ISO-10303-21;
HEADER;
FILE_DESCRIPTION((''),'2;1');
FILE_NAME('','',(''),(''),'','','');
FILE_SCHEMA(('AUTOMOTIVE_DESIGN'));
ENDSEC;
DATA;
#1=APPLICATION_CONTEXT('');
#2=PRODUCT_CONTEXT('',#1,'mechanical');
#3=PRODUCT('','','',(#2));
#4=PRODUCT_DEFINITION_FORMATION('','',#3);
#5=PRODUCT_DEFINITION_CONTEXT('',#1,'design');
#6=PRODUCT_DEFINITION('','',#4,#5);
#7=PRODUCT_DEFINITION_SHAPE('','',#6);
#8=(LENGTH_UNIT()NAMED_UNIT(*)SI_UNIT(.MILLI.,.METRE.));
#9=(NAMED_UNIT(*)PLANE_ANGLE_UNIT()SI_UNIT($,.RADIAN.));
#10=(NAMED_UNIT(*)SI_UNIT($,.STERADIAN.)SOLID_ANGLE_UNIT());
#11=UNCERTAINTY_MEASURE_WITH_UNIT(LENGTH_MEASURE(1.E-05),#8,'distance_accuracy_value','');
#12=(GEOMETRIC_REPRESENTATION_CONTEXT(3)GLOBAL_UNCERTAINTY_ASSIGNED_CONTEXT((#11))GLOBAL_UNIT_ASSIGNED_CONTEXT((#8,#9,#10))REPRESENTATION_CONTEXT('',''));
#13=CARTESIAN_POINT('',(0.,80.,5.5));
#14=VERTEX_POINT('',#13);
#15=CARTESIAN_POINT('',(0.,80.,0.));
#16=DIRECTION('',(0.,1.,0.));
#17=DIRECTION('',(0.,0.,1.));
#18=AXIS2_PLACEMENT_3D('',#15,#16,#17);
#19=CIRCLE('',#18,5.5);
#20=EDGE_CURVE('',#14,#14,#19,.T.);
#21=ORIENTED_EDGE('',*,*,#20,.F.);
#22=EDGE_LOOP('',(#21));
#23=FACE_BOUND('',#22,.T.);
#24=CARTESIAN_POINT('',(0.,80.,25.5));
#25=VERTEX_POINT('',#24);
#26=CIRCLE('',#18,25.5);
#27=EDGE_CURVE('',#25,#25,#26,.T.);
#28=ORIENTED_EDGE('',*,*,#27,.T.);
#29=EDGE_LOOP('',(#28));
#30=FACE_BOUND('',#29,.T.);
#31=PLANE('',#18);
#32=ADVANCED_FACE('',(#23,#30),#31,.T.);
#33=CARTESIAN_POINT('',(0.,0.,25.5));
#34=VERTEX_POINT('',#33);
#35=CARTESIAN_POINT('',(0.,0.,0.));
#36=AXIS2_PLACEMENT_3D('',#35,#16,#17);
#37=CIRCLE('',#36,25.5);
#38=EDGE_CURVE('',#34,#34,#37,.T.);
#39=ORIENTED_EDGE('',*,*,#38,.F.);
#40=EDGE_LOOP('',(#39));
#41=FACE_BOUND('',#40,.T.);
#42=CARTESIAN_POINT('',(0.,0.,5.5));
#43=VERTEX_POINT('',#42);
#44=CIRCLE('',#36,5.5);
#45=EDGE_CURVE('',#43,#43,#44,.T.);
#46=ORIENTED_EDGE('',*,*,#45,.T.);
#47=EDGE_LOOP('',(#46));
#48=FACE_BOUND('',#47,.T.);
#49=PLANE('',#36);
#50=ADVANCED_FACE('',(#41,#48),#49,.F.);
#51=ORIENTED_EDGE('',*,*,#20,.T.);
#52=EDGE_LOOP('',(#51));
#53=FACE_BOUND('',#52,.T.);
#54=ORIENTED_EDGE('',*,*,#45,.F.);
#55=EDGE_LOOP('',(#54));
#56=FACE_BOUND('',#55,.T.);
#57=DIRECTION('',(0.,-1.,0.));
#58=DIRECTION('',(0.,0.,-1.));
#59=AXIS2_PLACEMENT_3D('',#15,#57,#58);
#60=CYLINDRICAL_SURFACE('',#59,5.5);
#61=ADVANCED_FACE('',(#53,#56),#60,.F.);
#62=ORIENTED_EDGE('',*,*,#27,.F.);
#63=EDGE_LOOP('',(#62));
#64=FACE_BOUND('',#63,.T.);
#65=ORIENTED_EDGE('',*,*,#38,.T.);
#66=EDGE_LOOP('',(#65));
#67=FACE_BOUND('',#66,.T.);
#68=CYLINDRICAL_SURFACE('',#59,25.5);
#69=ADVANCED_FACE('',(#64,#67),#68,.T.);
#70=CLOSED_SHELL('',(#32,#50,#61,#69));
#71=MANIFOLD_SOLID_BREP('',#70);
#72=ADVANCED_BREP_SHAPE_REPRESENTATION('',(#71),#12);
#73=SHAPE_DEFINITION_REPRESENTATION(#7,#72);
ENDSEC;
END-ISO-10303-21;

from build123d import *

# Parameters (mm, degrees)
SKETCH1_R      = 25.5
SKETCH1_R_2    = 5.5
EXTRUDE1_DEPTH = 80


with BuildPart() as part:
    # Sketch1 → Extrude1 (new body)
    with BuildSketch(Plane(origin=(0, 0, 0), x_dir=(1, 0, 0), z_dir=(0, 1, 0))):
        with Locations(Location((0, 0, 0), (0, 0, 270))):
            Circle(SKETCH1_R)
        with Locations(Location((0, 0, 0), (0, 0, 270))):
            Circle(SKETCH1_R_2, mode=Mode.SUBTRACT)
    extrude(amount=EXTRUDE1_DEPTH)


solid = part.part
